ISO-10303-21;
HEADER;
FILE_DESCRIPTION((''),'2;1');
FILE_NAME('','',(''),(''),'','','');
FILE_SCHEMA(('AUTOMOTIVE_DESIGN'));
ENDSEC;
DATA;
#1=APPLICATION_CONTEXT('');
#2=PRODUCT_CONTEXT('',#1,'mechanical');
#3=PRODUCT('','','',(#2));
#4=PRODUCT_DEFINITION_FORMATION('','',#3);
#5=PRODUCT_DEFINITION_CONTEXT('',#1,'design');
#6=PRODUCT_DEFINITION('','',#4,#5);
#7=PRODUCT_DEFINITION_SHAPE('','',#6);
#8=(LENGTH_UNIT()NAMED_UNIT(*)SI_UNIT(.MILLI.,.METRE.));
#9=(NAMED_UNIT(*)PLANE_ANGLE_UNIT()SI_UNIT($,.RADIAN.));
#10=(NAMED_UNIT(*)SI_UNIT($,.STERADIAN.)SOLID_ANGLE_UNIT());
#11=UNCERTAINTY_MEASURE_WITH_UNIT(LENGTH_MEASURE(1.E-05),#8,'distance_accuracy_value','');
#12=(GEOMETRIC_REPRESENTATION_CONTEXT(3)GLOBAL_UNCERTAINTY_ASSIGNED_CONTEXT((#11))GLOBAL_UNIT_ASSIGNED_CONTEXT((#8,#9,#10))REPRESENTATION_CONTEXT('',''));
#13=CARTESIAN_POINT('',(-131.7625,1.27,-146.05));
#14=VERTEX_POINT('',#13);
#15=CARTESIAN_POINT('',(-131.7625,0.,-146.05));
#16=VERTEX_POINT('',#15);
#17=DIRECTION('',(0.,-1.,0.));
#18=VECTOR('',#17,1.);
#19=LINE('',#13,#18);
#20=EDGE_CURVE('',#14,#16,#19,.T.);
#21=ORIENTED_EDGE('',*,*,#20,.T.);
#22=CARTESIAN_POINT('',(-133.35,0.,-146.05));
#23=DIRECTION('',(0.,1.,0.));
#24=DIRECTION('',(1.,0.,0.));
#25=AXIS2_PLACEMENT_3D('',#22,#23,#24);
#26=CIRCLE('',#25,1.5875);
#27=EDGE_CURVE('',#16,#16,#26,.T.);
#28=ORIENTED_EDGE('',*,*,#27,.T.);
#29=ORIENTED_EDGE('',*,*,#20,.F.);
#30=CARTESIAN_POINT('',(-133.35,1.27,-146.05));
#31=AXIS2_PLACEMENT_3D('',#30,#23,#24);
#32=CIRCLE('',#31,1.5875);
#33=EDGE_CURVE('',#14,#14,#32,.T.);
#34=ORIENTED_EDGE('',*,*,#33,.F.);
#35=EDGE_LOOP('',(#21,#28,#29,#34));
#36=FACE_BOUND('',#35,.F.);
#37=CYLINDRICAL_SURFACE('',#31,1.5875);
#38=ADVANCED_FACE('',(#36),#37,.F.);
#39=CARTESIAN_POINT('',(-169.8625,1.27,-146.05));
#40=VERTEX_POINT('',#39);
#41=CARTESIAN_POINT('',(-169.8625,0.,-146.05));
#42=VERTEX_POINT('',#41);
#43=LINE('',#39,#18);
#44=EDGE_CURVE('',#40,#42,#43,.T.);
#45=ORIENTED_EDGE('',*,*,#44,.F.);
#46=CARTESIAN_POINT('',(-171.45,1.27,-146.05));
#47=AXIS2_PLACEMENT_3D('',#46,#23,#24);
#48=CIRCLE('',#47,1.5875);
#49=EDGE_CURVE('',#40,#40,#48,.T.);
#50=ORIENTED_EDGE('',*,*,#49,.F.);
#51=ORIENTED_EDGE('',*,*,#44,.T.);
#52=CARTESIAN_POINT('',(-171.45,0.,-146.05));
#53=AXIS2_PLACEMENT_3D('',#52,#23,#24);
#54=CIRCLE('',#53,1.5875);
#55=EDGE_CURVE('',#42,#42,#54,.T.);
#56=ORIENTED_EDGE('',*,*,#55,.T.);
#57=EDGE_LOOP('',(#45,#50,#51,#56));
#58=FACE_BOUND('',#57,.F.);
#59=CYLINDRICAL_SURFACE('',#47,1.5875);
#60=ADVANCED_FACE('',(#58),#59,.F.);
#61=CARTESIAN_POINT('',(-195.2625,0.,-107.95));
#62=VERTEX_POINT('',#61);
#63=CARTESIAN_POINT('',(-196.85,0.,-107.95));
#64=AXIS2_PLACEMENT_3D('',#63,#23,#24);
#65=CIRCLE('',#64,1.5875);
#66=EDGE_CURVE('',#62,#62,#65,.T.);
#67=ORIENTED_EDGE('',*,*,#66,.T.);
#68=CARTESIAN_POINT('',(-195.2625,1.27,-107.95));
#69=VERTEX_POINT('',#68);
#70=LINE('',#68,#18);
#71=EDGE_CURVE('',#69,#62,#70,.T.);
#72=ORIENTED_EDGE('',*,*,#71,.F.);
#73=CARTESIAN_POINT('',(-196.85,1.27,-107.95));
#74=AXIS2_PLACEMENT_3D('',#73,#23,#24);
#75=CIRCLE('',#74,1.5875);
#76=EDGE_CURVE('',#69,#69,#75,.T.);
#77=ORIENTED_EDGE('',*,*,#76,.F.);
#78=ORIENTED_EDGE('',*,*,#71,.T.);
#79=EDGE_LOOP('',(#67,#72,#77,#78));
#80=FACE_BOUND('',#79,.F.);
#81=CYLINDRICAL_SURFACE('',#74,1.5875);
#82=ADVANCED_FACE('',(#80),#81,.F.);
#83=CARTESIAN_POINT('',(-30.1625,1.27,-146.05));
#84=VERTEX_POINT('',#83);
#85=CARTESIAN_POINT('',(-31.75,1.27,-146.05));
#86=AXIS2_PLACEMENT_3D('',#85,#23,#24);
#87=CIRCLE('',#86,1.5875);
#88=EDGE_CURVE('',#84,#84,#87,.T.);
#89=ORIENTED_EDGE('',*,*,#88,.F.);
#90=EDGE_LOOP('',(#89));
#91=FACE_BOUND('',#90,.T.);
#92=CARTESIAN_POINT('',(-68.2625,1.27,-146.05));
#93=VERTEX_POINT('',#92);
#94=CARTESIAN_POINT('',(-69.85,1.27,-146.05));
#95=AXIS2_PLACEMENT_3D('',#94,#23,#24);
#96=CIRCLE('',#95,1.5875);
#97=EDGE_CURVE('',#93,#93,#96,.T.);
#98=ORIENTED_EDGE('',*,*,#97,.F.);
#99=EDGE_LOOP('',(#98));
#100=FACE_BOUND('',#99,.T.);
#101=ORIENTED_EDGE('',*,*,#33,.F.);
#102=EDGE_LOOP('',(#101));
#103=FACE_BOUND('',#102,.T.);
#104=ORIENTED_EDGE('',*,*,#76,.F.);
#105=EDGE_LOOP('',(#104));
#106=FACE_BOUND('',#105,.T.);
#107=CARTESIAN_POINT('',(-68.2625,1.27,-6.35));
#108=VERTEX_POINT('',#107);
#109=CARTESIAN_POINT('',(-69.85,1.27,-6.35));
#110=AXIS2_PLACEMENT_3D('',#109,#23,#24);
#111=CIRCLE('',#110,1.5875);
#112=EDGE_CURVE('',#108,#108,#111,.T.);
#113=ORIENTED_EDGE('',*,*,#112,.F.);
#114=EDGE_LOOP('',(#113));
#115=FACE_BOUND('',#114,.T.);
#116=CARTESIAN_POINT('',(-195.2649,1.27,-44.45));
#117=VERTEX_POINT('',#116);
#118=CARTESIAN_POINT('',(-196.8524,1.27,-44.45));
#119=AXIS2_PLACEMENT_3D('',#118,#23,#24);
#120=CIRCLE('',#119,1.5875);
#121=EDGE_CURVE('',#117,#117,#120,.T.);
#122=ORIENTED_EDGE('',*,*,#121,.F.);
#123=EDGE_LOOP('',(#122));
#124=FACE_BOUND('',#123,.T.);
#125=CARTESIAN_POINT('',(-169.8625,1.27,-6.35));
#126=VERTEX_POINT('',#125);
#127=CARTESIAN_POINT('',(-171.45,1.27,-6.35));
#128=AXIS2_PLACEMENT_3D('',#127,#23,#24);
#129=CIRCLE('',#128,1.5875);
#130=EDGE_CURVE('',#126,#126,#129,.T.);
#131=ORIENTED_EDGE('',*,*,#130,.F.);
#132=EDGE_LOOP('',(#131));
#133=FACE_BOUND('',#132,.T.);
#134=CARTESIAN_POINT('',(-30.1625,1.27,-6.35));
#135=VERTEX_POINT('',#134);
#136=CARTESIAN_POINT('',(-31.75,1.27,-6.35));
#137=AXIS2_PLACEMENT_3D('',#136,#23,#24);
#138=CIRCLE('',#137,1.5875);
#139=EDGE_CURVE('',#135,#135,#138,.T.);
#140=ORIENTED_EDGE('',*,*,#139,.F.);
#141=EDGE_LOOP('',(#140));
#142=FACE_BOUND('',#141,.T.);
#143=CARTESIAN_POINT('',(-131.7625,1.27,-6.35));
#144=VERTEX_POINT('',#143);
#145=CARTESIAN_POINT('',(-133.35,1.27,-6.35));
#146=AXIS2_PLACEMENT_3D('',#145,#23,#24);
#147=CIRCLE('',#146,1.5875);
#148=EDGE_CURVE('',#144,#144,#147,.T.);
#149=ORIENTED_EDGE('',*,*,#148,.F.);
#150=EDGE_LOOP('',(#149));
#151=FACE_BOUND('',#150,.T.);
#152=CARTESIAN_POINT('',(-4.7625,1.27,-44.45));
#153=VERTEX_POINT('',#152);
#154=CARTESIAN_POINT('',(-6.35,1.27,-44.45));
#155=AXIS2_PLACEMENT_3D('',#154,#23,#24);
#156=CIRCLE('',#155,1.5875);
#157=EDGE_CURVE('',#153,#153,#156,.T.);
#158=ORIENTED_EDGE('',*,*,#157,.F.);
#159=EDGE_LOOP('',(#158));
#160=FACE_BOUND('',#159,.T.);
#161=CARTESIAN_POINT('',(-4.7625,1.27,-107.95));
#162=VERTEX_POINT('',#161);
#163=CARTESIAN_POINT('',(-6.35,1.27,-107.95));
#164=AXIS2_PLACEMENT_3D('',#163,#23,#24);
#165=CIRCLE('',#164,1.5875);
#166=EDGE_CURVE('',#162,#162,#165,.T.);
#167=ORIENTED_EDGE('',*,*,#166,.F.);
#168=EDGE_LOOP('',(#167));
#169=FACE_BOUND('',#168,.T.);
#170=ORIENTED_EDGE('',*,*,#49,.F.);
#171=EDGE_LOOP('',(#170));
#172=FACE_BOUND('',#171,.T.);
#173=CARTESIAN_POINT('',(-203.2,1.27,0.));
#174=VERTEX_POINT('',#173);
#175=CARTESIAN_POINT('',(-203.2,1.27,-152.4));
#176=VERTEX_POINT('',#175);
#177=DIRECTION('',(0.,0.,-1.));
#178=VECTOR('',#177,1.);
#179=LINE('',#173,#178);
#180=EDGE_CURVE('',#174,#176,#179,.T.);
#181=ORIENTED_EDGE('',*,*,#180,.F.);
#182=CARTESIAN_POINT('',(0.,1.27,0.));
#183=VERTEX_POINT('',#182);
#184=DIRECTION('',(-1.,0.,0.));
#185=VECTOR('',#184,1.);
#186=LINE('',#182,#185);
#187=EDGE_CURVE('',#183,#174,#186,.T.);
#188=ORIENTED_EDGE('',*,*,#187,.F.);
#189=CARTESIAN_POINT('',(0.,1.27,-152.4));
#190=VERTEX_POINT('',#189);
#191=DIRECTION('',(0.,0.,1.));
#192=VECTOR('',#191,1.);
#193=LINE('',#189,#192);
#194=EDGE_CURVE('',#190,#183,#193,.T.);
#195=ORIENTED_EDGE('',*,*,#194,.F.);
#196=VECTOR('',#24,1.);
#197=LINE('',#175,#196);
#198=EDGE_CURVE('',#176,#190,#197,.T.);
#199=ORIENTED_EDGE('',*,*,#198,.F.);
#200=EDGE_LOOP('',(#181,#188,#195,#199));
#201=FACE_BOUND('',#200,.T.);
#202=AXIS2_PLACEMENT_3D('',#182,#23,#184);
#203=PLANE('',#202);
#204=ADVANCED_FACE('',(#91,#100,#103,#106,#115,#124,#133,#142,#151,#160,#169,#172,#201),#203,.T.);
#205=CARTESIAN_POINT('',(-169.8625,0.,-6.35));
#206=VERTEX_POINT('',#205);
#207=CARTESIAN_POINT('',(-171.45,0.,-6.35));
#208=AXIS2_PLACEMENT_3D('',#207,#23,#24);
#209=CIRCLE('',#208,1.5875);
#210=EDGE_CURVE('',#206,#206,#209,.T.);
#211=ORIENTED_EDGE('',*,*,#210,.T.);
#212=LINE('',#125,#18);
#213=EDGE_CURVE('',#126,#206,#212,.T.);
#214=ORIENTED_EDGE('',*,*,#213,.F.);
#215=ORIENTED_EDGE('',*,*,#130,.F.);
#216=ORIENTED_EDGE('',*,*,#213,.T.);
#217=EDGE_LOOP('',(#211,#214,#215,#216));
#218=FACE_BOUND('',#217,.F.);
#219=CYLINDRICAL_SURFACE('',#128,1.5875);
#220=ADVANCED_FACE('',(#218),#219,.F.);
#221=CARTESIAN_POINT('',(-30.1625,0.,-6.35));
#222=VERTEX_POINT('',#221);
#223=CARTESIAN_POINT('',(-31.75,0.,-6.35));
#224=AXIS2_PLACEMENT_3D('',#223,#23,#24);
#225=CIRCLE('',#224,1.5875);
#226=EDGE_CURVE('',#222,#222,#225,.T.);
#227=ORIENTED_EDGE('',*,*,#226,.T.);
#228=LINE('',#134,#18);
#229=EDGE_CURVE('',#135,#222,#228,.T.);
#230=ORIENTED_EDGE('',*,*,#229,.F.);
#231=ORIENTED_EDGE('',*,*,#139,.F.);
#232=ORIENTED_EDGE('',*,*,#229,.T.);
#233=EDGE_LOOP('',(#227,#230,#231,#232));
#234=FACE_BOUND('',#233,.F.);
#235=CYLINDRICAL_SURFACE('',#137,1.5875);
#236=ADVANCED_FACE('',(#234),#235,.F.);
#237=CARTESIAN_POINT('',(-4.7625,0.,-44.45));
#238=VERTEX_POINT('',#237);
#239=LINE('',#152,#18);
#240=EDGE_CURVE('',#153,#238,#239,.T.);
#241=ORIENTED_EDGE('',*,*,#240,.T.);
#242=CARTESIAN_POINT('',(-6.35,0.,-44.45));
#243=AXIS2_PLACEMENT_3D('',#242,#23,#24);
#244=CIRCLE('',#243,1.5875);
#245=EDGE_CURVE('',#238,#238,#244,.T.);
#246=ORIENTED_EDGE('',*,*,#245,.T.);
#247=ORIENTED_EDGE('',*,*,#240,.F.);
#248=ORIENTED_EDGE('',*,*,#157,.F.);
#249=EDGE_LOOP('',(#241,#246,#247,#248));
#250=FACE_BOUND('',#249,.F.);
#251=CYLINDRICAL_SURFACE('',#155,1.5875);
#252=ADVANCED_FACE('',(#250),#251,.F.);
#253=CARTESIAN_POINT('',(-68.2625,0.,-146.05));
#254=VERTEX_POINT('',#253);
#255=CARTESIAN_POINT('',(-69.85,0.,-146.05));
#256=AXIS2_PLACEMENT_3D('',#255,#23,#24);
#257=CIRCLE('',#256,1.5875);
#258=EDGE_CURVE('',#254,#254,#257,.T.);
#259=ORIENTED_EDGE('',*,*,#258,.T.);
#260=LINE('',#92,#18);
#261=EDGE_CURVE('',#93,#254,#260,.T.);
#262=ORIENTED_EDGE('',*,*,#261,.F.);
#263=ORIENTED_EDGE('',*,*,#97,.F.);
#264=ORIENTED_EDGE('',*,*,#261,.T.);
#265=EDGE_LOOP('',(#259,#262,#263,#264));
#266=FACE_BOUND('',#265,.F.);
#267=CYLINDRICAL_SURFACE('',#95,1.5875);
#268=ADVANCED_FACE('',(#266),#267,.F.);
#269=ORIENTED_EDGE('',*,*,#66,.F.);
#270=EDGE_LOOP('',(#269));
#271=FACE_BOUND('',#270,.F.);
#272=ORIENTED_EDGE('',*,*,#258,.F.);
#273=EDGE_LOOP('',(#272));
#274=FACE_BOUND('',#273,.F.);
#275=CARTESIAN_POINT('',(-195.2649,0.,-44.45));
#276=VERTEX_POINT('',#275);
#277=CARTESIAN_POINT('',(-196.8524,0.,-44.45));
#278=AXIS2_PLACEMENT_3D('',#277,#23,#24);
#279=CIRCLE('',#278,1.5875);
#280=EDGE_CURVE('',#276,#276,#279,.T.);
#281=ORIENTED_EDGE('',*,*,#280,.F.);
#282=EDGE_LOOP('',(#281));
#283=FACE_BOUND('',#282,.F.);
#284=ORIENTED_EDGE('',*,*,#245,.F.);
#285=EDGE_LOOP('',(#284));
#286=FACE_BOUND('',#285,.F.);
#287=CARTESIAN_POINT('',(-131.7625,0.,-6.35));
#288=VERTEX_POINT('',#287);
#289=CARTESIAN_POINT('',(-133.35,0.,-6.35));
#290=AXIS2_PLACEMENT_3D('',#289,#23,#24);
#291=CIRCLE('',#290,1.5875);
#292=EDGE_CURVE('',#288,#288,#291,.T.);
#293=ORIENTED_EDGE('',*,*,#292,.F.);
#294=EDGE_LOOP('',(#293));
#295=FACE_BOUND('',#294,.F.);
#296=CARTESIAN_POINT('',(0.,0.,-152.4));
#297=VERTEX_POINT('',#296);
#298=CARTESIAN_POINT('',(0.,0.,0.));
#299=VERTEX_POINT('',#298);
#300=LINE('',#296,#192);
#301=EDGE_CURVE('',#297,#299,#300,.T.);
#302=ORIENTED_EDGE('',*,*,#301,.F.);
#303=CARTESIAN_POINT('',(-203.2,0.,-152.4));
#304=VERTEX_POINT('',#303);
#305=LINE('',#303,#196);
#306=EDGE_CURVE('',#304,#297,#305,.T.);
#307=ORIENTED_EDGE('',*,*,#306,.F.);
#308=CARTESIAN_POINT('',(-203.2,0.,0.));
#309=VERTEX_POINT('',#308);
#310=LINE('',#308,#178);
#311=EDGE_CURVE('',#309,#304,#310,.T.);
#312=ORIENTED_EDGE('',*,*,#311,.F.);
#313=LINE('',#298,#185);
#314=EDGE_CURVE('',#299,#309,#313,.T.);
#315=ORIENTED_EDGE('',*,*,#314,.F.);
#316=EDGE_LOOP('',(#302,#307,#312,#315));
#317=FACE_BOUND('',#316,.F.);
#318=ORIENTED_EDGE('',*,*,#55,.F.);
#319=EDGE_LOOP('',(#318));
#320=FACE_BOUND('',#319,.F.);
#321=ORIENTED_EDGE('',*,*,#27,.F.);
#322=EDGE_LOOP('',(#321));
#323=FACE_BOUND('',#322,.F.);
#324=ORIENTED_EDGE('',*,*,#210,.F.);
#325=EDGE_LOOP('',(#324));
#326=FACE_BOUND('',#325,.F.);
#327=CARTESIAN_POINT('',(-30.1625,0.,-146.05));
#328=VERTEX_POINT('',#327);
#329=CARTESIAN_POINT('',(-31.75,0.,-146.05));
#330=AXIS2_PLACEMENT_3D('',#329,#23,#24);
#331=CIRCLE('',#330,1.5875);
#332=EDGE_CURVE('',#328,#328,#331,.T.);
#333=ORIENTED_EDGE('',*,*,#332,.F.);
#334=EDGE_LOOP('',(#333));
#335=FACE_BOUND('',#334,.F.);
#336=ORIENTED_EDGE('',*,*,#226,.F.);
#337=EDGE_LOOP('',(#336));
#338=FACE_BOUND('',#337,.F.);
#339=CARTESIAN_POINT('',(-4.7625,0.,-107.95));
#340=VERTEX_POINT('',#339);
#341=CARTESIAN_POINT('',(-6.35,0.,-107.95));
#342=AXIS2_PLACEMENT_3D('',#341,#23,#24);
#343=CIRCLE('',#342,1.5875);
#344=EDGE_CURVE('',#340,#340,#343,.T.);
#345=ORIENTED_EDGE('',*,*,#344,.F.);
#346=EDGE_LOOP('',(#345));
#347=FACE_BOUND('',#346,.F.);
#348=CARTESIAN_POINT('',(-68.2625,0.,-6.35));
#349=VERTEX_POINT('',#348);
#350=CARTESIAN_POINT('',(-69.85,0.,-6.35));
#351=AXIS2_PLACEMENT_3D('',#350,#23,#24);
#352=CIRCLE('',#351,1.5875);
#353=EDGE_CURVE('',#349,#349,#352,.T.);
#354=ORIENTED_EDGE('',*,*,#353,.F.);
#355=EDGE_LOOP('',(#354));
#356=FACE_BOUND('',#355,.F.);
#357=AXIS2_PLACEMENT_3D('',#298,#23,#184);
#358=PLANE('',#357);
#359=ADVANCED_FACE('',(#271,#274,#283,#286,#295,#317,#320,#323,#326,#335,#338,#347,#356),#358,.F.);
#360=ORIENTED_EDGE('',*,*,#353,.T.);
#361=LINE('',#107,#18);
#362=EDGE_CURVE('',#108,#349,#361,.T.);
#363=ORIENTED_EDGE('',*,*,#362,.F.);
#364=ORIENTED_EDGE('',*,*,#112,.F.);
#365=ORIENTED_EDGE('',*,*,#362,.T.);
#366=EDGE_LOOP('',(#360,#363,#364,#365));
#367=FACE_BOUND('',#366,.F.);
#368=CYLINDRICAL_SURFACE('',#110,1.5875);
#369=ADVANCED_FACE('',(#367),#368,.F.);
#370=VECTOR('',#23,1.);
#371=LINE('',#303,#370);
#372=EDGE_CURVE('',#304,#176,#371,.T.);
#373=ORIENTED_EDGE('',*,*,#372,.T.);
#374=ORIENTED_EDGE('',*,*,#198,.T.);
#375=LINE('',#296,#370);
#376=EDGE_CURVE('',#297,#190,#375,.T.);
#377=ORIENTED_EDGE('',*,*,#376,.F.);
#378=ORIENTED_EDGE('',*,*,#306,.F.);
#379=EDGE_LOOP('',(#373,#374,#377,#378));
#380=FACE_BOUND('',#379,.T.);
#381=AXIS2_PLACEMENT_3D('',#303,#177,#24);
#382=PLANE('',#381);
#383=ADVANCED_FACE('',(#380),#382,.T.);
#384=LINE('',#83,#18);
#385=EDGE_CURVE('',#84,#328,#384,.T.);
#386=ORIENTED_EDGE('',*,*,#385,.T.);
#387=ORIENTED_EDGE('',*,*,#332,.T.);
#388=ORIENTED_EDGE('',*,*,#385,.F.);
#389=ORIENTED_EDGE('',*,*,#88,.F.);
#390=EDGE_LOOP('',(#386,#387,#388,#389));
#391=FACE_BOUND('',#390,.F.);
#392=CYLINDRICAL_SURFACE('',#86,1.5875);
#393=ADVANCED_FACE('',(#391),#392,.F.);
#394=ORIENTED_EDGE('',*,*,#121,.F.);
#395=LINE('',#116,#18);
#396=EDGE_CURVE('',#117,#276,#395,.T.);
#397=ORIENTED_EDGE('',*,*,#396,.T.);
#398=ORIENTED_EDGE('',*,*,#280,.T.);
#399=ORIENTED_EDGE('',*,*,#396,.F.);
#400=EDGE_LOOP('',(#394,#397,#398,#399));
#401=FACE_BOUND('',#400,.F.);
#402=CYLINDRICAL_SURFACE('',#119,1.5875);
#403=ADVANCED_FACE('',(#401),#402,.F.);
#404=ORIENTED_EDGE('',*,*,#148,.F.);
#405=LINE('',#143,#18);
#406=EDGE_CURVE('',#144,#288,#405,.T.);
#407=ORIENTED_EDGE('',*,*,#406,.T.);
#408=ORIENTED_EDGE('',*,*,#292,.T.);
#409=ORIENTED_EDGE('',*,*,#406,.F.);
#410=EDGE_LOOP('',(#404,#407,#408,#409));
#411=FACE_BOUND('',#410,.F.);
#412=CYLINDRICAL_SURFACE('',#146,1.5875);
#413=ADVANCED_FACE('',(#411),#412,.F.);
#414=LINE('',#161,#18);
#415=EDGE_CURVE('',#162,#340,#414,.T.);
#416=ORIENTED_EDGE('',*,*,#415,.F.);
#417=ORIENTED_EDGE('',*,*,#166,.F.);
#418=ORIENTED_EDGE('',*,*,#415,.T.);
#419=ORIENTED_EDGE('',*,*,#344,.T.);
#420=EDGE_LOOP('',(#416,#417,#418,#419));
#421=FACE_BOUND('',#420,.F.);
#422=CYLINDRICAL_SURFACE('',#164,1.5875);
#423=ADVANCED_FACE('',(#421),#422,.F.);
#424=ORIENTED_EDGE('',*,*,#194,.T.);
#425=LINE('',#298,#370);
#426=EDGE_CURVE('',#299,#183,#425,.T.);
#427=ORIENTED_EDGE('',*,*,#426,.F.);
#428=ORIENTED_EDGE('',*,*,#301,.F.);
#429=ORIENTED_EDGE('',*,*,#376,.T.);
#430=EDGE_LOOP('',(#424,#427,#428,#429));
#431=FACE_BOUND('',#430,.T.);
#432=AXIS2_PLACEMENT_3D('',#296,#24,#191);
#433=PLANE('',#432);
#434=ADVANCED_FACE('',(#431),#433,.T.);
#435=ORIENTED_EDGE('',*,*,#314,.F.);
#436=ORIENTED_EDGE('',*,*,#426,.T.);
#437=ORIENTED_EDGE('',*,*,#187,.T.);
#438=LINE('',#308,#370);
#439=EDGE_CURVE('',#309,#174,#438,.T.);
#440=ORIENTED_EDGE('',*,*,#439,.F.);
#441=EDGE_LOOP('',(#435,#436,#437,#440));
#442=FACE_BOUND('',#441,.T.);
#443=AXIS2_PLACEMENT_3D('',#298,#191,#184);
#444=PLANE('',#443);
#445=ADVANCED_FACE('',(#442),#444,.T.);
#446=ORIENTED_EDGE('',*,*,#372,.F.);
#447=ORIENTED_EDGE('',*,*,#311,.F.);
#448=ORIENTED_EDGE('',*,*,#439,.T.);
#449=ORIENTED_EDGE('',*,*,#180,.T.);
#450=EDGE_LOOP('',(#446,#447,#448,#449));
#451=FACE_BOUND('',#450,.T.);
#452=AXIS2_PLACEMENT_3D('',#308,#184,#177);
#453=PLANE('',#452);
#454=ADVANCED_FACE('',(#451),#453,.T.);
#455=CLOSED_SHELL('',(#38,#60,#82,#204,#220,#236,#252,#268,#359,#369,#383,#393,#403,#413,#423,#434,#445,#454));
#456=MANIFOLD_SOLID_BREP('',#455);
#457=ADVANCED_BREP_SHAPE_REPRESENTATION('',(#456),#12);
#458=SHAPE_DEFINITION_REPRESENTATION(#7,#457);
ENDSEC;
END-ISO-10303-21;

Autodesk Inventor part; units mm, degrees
ref_plane "YZ Plane" through (0, 0, 0) normal (1, 0, 0) x (0, 1, 0)
ref_plane "XZ Plane" through (0, 0, 0) normal (0, 1, 0) x (-1, 0, 0)
ref_plane "XY Plane" through (0, 0, 0) normal (0, 0, 1) x (1, 0, 0)
sketch "Sketch1" plane through (0, 0, 0) normal (0, 1, 0) x (-1, 0, 0)
  line L0 (0, 0) -> (203.2, 0)
  line L1 (203.2, 0) -> (203.2, -152.4)
  line L2 (203.2, -152.4) -> (0, -152.4)
  line L3 (0, -152.4) -> (0, 0)
  dimension "d0" = 203.2
  dimension "d1" = 152.4
extrude "Extrusion1" add sketch "Sketch1" along normal blind 1.27
sketch "Sketch3" plane through (0, 1.27, 0) normal (0, 1, 0) x (1, 0, 0)
  circle A0 centre (-171.45, 6.35) radius 1.5875
  circle A1 centre (-196.8524, 44.45) radius 1.5875
  circle A2 centre (-31.75, 6.35) radius 1.5875
  circle A3 centre (-6.35, 44.45) radius 1.5875
  circle A4 centre (-6.35, 107.95) radius 1.5875
  circle A5 centre (-31.75, 146.05) radius 1.5875
  circle A6 centre (-171.45, 146.05) radius 1.5875
  circle A7 centre (-196.85, 107.95) radius 1.5875
  line L0 (-203.2, 152.4) -> (-203.2, 0) projected
  line L1 (0, 152.4) -> (-203.2, 152.4) projected
  line L2 (0, 0) -> (0, 152.4) projected
  line L3 (-203.2, 0) -> (0, 0) projected
  circle A8 centre (-133.35, 6.35) radius 1.5875
  circle A9 centre (-69.85, 6.35) radius 1.5875
  circle A10 centre (-69.85, 146.05) radius 1.5875
  circle A11 centre (-133.35, 146.05) radius 1.5875
  dimension "d36" = 3.175
  dimension "d37" = 3.175
  dimension "d38" = 3.175
  dimension "d39" = 3.175
  dimension "d40" = 3.175
  dimension "d41" = 3.175
  dimension "d42" = 3.175
  dimension "d43" = 3.175
  dimension "d45" = 6.35
  dimension "d46" = 44.45
  dimension "d47" = 6.35
  dimension "d48" = 31.75
  dimension "d49" = 31.75
  dimension "d50" = 6.35
  dimension "d51" = 44.45
  dimension "d52" = 6.35
  dimension "d53" = 44.45
  dimension "d54" = 6.35
  dimension "d55" = 31.75
  dimension "d56" = 6.35
  dimension "d57" = 31.75
  dimension "d58" = 6.3476
  dimension "d59" = 44.45
  dimension "d62" = 203.2
  dimension "d63" = 152.4
  dimension "d64" = 69.85
  dimension "d65" = 3.175
  dimension "d66" = 6.35
  dimension "d67" = 69.85
  dimension "d68" = 3.175
  dimension "d69" = 6.35
  dimension "d70" = 3.175
  dimension "d71" = 6.35
  dimension "d72" = 69.85
  dimension "d73" = 3.175
  dimension "d74" = 6.35
  dimension "d75" = 69.85
extrude "Extrusion2" cut sketch "Sketch3" against normal blind 25.4 contours A0 | A1 | A2 | A3 | A4 | A5 | A6 | A7 | A8 | A9 | A10 | A11
properties part number "000103"
